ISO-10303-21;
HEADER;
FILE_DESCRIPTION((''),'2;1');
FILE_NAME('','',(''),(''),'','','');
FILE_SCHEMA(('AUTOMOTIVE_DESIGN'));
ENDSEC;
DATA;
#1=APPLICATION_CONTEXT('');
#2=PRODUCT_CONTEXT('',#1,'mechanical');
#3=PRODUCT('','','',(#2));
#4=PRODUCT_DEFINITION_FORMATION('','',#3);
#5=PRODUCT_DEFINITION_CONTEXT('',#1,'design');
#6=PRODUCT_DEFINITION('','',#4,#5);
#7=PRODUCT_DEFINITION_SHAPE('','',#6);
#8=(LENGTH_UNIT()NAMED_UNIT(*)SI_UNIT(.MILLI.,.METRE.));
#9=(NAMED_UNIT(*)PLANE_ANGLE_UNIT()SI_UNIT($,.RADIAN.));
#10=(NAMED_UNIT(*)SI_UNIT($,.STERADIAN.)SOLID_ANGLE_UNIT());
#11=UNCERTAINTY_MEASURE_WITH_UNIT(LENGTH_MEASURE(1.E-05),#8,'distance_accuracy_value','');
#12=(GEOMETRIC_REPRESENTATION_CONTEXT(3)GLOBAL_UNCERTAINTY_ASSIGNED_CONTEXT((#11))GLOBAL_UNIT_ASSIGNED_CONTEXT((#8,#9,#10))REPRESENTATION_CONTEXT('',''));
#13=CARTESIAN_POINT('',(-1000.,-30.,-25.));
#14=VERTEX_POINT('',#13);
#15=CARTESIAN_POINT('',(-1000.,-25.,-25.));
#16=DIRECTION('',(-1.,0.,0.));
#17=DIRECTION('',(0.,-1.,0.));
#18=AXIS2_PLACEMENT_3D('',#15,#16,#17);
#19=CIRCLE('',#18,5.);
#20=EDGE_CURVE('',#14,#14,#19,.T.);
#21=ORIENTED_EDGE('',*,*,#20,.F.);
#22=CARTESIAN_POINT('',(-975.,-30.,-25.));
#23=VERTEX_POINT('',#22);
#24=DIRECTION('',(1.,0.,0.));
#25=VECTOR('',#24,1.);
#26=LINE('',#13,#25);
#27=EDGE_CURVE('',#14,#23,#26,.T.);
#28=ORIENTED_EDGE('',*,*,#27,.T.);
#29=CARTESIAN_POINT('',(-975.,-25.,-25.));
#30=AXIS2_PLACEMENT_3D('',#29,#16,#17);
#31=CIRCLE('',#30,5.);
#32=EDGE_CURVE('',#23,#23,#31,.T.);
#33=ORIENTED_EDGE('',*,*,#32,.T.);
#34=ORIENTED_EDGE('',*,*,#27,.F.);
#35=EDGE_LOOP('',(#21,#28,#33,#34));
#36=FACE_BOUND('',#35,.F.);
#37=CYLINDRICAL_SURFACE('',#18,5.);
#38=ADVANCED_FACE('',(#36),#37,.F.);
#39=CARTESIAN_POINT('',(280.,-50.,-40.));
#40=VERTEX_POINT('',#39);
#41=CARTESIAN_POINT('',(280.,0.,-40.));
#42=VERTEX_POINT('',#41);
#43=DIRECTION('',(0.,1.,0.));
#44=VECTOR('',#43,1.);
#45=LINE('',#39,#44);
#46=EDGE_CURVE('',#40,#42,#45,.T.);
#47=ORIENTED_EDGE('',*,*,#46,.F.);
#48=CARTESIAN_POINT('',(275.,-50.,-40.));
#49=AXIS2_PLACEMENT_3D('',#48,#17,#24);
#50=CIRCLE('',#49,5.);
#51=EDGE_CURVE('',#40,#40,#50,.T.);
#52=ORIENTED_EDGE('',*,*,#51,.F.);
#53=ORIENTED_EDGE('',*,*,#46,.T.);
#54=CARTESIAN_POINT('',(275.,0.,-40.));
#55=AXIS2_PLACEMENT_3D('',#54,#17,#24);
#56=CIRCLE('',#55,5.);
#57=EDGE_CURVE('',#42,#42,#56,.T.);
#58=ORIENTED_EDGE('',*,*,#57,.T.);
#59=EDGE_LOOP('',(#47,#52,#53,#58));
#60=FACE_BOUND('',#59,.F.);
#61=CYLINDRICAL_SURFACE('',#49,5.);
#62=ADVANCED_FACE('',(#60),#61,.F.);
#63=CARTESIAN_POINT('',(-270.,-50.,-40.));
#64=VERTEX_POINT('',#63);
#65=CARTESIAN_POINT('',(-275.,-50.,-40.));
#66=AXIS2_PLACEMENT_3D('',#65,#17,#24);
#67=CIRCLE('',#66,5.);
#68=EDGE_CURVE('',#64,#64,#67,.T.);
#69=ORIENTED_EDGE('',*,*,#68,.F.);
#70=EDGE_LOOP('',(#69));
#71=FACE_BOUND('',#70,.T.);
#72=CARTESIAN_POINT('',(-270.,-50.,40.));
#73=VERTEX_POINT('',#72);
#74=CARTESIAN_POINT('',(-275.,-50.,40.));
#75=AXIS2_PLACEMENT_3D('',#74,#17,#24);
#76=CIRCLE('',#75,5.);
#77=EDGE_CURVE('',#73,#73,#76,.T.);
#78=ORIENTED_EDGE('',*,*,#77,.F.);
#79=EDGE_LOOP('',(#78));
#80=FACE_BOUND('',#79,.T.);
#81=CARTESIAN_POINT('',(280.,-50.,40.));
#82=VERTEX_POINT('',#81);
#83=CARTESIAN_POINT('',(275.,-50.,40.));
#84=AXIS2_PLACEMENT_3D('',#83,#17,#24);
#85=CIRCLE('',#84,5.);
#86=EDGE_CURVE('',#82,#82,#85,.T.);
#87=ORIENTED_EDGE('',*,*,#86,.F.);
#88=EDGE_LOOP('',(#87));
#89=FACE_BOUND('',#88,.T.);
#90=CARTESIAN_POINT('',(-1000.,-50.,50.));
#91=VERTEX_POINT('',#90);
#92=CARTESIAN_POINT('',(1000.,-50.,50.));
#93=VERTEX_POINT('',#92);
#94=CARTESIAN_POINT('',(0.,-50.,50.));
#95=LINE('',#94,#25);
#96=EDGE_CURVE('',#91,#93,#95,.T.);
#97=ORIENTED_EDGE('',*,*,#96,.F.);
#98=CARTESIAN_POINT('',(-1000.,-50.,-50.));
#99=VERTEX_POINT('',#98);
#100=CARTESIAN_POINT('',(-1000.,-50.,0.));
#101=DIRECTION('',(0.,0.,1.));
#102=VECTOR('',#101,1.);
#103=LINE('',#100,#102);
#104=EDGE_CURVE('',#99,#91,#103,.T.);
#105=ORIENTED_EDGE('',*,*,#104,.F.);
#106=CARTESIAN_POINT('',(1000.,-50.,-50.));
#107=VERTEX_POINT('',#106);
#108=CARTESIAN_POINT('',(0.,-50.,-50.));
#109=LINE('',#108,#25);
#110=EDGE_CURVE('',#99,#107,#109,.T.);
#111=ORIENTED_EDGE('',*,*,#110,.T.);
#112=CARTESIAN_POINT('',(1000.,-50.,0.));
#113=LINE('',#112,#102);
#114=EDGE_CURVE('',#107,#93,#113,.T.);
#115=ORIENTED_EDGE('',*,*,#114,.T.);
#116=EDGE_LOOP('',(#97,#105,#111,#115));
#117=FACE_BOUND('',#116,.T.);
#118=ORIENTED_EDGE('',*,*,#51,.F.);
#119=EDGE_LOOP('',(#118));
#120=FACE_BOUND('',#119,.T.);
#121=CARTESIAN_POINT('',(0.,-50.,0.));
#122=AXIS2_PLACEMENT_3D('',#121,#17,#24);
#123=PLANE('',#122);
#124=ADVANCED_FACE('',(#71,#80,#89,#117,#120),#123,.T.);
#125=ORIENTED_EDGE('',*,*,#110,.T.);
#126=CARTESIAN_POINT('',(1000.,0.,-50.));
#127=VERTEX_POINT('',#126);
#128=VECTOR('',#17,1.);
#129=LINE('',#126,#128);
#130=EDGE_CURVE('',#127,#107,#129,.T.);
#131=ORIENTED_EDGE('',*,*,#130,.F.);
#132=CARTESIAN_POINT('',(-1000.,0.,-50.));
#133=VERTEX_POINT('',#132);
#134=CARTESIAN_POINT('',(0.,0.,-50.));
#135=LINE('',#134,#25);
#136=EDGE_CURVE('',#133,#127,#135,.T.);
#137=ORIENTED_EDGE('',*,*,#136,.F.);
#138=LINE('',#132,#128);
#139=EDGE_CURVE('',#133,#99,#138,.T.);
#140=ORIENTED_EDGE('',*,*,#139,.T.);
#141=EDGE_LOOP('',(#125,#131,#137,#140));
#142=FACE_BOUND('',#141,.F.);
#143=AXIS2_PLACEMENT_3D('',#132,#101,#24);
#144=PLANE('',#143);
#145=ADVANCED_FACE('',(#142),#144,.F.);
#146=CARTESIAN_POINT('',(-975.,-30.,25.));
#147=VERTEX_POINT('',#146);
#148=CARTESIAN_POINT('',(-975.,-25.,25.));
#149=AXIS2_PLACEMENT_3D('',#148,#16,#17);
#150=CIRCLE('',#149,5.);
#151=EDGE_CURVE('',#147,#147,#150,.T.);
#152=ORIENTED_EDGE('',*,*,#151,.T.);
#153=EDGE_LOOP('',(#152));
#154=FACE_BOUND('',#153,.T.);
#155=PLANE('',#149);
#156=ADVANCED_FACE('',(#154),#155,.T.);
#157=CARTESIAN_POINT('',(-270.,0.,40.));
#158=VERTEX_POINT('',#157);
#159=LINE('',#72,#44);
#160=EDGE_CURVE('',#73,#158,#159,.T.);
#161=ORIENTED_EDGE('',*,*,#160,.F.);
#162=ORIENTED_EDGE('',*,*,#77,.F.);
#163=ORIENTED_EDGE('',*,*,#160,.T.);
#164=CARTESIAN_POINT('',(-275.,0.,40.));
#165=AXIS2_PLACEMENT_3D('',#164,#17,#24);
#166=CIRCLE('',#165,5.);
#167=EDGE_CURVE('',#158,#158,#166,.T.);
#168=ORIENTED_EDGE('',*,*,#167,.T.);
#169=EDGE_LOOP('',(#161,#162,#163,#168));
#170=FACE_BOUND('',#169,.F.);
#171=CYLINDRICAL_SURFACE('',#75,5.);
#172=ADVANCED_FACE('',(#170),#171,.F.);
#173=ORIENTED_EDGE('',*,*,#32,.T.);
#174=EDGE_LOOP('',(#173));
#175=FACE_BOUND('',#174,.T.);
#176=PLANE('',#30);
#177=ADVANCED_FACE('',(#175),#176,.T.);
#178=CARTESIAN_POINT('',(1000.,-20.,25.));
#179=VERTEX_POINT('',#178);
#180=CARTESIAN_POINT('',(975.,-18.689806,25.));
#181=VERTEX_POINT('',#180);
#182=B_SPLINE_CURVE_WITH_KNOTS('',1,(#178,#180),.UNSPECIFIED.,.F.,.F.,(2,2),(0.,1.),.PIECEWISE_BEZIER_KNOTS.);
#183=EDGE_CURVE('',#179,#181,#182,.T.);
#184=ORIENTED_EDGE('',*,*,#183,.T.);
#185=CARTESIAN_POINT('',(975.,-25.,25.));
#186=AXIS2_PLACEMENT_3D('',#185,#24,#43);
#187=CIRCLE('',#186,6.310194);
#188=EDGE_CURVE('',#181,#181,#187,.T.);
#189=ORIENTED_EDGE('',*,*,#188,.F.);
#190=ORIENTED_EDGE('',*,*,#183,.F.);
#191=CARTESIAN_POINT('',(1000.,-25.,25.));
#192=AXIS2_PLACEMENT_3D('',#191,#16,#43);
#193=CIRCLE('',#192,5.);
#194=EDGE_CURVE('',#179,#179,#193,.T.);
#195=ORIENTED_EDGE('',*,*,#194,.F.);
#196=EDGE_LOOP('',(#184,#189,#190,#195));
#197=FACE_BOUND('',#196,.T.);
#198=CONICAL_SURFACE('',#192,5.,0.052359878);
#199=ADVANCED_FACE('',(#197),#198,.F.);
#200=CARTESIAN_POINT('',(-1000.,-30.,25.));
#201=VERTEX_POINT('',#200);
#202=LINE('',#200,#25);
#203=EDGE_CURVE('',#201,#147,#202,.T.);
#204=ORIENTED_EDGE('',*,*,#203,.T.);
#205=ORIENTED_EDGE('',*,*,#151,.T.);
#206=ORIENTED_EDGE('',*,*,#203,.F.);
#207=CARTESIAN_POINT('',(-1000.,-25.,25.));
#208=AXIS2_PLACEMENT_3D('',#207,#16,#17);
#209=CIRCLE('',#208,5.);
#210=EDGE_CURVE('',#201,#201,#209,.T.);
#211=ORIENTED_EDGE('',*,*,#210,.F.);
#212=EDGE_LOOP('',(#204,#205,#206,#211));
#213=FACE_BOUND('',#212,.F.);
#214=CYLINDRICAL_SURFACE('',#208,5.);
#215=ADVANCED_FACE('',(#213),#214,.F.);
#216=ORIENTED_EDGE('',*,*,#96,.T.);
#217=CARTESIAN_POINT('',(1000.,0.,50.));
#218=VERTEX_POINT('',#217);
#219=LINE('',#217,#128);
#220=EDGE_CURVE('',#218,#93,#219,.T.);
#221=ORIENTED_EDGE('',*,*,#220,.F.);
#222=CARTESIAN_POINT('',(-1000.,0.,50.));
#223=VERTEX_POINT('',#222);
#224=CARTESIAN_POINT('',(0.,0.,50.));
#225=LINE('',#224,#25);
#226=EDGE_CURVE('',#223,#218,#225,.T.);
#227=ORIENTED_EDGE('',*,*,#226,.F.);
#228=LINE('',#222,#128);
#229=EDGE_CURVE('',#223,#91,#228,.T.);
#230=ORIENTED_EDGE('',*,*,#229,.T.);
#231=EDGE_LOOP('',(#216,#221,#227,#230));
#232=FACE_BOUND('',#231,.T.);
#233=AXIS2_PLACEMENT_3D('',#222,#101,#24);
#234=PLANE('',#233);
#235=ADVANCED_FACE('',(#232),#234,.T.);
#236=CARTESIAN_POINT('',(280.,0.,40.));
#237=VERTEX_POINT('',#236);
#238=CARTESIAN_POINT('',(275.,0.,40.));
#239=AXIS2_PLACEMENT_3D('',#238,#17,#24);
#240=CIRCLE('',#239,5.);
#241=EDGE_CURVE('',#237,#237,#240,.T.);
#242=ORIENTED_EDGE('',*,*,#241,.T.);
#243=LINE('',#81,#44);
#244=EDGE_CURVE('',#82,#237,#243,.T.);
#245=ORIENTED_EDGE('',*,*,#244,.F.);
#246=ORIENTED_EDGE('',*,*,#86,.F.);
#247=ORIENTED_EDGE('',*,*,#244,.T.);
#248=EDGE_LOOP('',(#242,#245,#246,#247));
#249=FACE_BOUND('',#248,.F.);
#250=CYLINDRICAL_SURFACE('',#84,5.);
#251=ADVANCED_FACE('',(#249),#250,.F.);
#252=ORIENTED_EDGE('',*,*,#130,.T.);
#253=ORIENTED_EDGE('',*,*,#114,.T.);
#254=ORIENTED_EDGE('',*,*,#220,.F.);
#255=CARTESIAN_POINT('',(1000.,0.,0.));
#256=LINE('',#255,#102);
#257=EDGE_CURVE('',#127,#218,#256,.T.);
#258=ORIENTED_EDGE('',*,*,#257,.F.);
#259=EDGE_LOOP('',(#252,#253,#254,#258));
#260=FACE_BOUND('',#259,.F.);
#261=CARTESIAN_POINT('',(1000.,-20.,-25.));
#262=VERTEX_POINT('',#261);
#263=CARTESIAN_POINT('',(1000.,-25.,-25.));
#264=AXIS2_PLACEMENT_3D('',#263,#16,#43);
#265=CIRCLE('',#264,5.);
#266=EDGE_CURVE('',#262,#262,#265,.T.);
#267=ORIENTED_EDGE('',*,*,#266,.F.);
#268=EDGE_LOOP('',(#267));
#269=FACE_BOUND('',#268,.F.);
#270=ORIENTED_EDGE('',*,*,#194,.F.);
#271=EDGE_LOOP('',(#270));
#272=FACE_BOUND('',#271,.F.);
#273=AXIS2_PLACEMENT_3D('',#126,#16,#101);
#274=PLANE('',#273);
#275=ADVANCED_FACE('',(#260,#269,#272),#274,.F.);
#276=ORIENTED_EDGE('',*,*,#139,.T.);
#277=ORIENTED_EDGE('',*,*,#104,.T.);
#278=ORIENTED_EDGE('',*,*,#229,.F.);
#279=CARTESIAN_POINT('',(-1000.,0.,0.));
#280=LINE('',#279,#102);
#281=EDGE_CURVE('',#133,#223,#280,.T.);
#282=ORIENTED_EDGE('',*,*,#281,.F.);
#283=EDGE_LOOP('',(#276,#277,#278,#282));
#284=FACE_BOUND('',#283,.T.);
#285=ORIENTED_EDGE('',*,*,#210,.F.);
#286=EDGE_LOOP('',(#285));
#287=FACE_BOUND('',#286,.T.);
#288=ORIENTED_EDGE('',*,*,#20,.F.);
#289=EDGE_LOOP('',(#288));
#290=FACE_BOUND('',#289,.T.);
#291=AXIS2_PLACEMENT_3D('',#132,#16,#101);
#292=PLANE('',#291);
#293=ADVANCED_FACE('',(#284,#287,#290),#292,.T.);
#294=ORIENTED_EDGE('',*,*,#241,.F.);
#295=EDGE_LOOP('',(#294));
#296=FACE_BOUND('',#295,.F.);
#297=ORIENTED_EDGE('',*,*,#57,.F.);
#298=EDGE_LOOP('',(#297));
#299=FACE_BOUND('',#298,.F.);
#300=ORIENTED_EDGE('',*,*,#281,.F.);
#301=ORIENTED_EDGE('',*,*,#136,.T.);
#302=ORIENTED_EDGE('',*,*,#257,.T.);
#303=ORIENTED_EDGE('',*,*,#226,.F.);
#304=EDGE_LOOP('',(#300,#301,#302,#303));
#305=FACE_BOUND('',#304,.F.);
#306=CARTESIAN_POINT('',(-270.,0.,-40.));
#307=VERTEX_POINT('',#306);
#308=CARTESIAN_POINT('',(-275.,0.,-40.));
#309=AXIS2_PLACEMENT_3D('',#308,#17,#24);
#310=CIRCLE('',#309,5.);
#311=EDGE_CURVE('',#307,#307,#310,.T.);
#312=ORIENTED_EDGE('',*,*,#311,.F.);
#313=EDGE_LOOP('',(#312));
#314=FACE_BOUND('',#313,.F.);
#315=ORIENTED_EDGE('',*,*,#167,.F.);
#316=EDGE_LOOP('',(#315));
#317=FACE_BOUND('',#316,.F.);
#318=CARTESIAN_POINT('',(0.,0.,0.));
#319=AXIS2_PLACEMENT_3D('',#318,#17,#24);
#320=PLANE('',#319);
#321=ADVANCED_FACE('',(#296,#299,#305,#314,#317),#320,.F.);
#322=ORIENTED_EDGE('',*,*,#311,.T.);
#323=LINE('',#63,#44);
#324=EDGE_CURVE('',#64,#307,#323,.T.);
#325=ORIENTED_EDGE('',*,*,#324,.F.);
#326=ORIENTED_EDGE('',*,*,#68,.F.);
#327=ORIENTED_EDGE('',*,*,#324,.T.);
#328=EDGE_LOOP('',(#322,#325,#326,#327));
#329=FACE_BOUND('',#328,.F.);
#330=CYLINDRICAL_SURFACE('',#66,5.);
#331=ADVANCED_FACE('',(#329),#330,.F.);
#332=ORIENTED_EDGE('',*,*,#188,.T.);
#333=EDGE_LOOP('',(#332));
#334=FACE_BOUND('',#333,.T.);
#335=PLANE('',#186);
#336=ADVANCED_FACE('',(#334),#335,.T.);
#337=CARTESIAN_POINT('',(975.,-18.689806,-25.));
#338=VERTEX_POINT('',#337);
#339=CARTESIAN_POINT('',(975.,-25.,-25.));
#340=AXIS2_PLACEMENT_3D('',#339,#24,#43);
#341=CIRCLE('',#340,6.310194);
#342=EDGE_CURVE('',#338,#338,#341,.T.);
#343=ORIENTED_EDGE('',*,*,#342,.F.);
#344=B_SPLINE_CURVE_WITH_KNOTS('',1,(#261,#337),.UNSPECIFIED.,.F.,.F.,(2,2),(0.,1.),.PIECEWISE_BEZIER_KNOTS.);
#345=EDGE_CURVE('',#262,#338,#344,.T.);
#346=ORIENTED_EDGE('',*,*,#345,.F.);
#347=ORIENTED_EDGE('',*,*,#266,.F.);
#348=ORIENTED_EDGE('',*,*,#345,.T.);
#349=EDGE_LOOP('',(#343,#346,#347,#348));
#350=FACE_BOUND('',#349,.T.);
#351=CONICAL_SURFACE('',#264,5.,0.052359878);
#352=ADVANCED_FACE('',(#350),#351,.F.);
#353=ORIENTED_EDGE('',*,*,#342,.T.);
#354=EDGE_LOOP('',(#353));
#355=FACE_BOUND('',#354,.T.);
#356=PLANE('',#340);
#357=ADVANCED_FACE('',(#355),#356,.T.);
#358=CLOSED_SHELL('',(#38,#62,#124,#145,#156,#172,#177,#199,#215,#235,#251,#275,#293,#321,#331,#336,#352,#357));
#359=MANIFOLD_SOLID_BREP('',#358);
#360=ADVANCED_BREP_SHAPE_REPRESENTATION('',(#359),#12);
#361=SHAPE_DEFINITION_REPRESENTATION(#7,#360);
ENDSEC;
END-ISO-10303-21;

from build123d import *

# Parameters (mm, degrees)
F0_W     = 2000
F0_H     = 100
F1_DEPTH = 50
F3_R     = 5
F4_DEPTH = 25
F2_R     = 5
F5_DEPTH = 25
F5_TAPER = -3
F6_R     = 5
F7_DEPTH = 50


with BuildPart() as f1:
    # F0 (on Front) → F1 (new body)
    with BuildSketch(Plane.XZ):
        Rectangle(F0_W, F0_H)
    extrude(amount=F1_DEPTH)

    # F3 (on face) → F4 (cut)
    with BuildSketch(Plane(origin=(-1000, 0, 0), x_dir=(0, -1, 0), z_dir=(-1, 0, 0))):
        with Locations((25, 25)):
            Circle(F3_R)
        with Locations((25, -25)):
            Circle(F3_R)
    extrude(amount=-F4_DEPTH, mode=Mode.SUBTRACT)

    # F2 (on face) → F5 (cut)
    with BuildSketch(Plane.YZ.offset(1000)):
        with Locations((-25, -25)):
            Circle(F2_R)
        with Locations((-25, 25)):
            Circle(F2_R)
    extrude(amount=-F5_DEPTH, taper=F5_TAPER, mode=Mode.SUBTRACT)

    # F6 (on face) → F7 (cut)
    with BuildSketch(Plane.XZ.offset(50)):
        with Locations((-275, 40)):
            Circle(F6_R)
        with Locations((-275, -40)):
            Circle(F6_R)
        with Locations((275, 40)):
            Circle(F6_R)
        with Locations((275, -40)):
            Circle(F6_R)
    extrude(amount=-F7_DEPTH, mode=Mode.SUBTRACT)


solid = f1.part
